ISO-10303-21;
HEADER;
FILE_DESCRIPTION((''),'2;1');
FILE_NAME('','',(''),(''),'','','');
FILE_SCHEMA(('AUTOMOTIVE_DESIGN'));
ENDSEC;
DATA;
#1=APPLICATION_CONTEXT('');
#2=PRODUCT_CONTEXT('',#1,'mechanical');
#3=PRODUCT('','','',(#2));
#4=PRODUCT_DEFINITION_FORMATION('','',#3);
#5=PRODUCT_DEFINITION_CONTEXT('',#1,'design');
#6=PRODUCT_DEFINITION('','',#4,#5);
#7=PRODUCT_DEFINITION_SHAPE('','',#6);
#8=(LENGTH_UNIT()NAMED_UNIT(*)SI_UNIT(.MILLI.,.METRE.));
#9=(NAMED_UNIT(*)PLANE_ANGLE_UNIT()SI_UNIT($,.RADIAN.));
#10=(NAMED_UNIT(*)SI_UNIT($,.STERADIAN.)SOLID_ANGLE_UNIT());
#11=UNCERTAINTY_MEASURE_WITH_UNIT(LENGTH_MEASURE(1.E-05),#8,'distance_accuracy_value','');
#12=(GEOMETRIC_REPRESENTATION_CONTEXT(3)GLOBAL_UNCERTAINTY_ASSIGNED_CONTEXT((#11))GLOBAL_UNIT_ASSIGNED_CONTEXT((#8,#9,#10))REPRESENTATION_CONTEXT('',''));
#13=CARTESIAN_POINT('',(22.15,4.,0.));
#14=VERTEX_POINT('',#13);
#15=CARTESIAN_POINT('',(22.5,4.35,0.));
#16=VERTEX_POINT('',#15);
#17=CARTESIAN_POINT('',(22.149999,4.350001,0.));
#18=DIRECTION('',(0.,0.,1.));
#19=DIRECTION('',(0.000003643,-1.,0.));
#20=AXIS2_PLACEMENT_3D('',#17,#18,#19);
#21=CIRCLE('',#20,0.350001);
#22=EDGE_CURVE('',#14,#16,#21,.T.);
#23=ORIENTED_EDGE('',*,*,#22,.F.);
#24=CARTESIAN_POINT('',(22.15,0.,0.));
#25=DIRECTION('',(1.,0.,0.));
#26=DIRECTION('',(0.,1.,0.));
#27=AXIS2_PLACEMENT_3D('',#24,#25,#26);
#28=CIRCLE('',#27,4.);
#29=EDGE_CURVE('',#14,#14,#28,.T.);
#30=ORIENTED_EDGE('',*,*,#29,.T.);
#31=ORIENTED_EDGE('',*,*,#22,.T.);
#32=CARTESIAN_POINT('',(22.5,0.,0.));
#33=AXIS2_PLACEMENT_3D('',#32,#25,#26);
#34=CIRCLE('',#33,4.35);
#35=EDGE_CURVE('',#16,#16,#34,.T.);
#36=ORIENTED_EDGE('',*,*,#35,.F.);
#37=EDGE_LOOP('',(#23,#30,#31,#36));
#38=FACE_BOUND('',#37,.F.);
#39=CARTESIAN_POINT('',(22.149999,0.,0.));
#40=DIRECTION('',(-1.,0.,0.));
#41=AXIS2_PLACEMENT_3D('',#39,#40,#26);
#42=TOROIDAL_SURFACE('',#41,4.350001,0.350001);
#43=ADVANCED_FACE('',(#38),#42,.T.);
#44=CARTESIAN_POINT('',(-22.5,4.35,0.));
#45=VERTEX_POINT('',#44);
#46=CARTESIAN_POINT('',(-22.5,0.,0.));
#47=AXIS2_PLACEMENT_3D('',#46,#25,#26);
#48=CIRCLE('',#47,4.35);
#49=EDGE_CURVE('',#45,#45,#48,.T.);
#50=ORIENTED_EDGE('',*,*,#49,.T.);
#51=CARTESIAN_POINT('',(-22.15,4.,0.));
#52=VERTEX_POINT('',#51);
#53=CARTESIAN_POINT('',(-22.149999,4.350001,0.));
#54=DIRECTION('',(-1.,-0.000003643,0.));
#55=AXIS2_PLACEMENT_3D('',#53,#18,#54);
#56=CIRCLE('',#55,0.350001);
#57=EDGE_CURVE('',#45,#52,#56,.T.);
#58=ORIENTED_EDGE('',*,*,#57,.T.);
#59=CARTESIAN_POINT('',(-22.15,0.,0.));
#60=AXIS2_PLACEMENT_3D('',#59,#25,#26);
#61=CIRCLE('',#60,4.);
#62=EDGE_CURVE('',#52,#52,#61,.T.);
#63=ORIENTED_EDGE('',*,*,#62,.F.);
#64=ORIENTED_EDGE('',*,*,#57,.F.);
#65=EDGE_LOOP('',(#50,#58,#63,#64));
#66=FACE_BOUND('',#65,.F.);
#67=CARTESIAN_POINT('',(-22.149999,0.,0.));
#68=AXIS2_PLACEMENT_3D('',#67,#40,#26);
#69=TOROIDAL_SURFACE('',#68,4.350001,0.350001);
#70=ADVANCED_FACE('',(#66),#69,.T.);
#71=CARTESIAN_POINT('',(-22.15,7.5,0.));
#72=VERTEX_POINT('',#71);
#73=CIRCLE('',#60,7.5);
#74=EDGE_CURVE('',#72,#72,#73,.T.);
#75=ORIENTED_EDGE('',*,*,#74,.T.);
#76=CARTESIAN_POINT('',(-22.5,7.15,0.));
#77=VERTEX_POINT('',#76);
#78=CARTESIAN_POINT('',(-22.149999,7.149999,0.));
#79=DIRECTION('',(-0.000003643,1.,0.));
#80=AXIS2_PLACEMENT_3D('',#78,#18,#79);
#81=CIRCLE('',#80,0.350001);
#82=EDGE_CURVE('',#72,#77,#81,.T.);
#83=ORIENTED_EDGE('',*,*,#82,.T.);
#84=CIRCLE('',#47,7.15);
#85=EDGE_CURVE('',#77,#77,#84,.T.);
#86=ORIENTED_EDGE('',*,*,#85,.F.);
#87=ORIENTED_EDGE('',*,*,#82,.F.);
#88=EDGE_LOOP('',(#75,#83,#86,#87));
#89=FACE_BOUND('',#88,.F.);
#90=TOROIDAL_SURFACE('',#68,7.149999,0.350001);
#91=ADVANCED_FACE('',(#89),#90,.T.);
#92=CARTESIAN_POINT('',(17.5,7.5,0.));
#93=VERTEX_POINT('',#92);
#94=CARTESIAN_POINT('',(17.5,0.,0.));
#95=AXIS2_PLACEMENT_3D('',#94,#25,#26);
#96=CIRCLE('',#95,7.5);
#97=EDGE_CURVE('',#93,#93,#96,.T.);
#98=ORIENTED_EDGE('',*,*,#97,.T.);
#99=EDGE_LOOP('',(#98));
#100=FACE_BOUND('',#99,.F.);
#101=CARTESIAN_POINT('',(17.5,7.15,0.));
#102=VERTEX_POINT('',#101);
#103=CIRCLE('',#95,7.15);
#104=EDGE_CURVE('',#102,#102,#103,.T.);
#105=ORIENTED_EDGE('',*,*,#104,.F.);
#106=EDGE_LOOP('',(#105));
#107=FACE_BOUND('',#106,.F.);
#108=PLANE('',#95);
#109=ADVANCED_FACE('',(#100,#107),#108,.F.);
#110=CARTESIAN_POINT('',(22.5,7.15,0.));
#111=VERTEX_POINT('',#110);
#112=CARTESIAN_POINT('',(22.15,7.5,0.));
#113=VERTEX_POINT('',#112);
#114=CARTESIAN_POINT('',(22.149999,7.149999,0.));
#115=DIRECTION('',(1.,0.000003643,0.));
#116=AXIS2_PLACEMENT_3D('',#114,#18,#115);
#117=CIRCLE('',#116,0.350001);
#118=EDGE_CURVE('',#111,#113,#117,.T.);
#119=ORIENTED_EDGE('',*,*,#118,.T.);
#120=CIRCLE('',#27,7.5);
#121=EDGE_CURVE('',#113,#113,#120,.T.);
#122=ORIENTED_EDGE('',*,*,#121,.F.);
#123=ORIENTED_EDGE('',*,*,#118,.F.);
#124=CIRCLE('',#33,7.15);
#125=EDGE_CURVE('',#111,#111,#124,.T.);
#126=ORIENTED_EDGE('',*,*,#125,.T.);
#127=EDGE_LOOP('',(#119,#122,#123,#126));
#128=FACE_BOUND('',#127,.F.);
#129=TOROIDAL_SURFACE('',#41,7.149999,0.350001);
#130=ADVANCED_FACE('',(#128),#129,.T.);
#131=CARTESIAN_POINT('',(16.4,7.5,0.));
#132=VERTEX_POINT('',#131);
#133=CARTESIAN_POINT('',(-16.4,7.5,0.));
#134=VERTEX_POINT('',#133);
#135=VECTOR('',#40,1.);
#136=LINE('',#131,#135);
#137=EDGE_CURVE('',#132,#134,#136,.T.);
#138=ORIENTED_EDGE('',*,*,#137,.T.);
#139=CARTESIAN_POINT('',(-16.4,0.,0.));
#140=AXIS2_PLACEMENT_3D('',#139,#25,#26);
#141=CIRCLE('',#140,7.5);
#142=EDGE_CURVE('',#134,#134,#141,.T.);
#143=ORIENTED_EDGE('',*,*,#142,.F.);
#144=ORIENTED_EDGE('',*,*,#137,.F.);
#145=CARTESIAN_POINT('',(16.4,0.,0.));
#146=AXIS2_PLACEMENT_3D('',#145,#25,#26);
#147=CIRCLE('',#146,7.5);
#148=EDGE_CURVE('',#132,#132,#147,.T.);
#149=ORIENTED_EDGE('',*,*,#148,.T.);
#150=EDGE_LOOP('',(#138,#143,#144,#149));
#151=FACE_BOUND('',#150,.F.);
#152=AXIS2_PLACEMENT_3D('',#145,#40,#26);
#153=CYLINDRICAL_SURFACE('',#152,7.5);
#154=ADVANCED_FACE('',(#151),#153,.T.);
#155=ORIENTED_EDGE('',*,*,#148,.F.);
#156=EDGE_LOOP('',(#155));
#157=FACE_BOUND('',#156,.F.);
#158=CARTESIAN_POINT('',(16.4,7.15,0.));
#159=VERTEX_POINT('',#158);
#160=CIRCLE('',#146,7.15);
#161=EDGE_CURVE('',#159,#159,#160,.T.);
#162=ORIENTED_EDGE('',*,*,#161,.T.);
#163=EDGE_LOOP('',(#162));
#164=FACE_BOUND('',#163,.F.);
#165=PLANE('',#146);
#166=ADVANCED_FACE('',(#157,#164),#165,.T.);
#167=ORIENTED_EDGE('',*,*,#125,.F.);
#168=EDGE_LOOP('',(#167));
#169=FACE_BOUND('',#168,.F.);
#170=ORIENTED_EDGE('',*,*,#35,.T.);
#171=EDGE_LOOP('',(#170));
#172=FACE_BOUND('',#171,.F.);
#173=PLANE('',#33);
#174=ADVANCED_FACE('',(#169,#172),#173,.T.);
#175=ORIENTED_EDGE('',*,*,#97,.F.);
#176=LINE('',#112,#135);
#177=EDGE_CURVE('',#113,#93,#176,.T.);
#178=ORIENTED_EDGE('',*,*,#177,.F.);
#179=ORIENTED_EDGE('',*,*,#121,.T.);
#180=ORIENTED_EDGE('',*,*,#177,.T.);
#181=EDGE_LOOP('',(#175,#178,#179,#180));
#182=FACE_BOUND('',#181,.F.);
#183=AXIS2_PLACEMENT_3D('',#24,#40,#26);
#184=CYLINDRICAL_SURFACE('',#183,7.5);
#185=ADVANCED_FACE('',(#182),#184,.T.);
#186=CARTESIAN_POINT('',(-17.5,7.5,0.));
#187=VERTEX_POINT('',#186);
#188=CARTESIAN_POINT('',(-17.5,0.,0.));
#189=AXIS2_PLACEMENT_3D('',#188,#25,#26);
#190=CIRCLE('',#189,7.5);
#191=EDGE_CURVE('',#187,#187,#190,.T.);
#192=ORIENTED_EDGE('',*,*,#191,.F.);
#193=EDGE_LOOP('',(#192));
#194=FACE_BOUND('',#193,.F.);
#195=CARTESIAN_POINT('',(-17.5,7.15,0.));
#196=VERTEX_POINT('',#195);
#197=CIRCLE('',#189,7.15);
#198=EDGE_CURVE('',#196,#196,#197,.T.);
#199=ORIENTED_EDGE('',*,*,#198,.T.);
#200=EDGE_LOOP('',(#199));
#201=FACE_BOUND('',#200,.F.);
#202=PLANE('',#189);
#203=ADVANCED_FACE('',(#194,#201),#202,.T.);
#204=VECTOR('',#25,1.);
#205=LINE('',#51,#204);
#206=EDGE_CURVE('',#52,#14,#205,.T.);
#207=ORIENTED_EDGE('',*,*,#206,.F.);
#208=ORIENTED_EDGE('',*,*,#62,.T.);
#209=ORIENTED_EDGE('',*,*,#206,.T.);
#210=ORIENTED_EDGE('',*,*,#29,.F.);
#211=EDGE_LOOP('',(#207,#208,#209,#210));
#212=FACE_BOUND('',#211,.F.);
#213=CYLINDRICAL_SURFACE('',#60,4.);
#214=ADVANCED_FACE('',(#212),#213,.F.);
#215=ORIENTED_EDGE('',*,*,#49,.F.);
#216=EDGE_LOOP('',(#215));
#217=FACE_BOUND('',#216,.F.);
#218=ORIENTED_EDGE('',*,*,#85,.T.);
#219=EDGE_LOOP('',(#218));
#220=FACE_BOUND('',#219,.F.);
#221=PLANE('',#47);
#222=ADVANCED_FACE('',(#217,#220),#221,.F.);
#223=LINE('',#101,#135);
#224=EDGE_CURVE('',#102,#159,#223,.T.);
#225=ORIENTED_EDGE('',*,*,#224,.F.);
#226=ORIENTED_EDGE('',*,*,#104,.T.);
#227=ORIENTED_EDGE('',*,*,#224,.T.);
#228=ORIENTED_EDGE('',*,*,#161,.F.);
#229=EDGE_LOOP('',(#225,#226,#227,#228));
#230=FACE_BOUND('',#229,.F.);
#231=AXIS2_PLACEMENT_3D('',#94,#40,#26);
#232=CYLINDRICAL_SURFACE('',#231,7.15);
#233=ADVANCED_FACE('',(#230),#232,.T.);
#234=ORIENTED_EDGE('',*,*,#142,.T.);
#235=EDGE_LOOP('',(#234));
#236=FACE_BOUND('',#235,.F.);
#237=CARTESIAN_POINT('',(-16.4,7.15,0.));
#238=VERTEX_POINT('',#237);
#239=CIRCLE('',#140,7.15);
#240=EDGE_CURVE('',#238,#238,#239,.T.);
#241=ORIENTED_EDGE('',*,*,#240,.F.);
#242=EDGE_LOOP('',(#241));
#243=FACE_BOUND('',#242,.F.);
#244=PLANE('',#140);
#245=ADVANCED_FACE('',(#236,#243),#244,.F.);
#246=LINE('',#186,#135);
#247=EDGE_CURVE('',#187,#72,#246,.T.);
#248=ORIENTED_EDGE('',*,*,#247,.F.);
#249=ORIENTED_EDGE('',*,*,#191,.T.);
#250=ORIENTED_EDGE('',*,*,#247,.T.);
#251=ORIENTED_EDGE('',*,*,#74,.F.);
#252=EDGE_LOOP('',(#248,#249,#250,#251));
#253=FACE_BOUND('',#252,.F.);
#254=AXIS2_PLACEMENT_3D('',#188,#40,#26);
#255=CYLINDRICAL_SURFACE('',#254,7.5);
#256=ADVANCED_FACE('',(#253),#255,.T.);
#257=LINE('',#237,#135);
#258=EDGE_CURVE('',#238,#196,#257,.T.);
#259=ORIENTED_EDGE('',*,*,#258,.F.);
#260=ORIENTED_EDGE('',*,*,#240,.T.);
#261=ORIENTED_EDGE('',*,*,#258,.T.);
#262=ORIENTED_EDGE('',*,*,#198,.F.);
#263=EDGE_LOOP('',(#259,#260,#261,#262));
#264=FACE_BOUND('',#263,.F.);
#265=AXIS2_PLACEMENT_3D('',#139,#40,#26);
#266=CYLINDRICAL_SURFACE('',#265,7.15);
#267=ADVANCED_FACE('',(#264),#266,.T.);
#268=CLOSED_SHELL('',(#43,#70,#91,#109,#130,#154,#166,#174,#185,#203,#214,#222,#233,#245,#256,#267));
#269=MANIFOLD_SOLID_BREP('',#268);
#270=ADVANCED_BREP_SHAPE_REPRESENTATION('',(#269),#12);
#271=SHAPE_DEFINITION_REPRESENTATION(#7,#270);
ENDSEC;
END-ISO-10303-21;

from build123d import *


with BuildPart() as f1:
    # F0 (on Top) → F1 (revolve)
    with BuildSketch(Plane.XY):
        with BuildLine():
            Line((-17.5, 7.5), (-22.15, 7.5))
            ThreePointArc((-22.15, 7.5), (-22.397487, 7.397487), (-22.5, 7.15))
            Line((-22.5, 7.15), (-22.5, 4.35))
            ThreePointArc((-22.5, 4.35), (-22.397487, 4.102513), (-22.15, 4))
            Line((-22.15, 4), (22.15, 4))
            ThreePointArc((22.15, 4), (22.397487, 4.102513), (22.5, 4.35))
            Line((22.5, 4.35), (22.5, 7.15))
            ThreePointArc((22.5, 7.15), (22.397487, 7.397487), (22.15, 7.5))
            Line((22.15, 7.5), (17.5, 7.5))
            Line((17.5, 7.5), (17.5, 7.15))
            Line((17.5, 7.15), (16.4, 7.15))
            Line((16.4, 7.15), (16.4, 7.5))
            Line((16.4, 7.5), (-16.4, 7.5))
            Line((-16.4, 7.5), (-16.4, 7.15))
            Line((-16.4, 7.15), (-17.5, 7.15))
            Line((-17.5, 7.15), (-17.5, 7.5))
        make_face()
    revolve(axis=Axis((0, 0, 0), (1, 0, 0)))


solid = f1.part
